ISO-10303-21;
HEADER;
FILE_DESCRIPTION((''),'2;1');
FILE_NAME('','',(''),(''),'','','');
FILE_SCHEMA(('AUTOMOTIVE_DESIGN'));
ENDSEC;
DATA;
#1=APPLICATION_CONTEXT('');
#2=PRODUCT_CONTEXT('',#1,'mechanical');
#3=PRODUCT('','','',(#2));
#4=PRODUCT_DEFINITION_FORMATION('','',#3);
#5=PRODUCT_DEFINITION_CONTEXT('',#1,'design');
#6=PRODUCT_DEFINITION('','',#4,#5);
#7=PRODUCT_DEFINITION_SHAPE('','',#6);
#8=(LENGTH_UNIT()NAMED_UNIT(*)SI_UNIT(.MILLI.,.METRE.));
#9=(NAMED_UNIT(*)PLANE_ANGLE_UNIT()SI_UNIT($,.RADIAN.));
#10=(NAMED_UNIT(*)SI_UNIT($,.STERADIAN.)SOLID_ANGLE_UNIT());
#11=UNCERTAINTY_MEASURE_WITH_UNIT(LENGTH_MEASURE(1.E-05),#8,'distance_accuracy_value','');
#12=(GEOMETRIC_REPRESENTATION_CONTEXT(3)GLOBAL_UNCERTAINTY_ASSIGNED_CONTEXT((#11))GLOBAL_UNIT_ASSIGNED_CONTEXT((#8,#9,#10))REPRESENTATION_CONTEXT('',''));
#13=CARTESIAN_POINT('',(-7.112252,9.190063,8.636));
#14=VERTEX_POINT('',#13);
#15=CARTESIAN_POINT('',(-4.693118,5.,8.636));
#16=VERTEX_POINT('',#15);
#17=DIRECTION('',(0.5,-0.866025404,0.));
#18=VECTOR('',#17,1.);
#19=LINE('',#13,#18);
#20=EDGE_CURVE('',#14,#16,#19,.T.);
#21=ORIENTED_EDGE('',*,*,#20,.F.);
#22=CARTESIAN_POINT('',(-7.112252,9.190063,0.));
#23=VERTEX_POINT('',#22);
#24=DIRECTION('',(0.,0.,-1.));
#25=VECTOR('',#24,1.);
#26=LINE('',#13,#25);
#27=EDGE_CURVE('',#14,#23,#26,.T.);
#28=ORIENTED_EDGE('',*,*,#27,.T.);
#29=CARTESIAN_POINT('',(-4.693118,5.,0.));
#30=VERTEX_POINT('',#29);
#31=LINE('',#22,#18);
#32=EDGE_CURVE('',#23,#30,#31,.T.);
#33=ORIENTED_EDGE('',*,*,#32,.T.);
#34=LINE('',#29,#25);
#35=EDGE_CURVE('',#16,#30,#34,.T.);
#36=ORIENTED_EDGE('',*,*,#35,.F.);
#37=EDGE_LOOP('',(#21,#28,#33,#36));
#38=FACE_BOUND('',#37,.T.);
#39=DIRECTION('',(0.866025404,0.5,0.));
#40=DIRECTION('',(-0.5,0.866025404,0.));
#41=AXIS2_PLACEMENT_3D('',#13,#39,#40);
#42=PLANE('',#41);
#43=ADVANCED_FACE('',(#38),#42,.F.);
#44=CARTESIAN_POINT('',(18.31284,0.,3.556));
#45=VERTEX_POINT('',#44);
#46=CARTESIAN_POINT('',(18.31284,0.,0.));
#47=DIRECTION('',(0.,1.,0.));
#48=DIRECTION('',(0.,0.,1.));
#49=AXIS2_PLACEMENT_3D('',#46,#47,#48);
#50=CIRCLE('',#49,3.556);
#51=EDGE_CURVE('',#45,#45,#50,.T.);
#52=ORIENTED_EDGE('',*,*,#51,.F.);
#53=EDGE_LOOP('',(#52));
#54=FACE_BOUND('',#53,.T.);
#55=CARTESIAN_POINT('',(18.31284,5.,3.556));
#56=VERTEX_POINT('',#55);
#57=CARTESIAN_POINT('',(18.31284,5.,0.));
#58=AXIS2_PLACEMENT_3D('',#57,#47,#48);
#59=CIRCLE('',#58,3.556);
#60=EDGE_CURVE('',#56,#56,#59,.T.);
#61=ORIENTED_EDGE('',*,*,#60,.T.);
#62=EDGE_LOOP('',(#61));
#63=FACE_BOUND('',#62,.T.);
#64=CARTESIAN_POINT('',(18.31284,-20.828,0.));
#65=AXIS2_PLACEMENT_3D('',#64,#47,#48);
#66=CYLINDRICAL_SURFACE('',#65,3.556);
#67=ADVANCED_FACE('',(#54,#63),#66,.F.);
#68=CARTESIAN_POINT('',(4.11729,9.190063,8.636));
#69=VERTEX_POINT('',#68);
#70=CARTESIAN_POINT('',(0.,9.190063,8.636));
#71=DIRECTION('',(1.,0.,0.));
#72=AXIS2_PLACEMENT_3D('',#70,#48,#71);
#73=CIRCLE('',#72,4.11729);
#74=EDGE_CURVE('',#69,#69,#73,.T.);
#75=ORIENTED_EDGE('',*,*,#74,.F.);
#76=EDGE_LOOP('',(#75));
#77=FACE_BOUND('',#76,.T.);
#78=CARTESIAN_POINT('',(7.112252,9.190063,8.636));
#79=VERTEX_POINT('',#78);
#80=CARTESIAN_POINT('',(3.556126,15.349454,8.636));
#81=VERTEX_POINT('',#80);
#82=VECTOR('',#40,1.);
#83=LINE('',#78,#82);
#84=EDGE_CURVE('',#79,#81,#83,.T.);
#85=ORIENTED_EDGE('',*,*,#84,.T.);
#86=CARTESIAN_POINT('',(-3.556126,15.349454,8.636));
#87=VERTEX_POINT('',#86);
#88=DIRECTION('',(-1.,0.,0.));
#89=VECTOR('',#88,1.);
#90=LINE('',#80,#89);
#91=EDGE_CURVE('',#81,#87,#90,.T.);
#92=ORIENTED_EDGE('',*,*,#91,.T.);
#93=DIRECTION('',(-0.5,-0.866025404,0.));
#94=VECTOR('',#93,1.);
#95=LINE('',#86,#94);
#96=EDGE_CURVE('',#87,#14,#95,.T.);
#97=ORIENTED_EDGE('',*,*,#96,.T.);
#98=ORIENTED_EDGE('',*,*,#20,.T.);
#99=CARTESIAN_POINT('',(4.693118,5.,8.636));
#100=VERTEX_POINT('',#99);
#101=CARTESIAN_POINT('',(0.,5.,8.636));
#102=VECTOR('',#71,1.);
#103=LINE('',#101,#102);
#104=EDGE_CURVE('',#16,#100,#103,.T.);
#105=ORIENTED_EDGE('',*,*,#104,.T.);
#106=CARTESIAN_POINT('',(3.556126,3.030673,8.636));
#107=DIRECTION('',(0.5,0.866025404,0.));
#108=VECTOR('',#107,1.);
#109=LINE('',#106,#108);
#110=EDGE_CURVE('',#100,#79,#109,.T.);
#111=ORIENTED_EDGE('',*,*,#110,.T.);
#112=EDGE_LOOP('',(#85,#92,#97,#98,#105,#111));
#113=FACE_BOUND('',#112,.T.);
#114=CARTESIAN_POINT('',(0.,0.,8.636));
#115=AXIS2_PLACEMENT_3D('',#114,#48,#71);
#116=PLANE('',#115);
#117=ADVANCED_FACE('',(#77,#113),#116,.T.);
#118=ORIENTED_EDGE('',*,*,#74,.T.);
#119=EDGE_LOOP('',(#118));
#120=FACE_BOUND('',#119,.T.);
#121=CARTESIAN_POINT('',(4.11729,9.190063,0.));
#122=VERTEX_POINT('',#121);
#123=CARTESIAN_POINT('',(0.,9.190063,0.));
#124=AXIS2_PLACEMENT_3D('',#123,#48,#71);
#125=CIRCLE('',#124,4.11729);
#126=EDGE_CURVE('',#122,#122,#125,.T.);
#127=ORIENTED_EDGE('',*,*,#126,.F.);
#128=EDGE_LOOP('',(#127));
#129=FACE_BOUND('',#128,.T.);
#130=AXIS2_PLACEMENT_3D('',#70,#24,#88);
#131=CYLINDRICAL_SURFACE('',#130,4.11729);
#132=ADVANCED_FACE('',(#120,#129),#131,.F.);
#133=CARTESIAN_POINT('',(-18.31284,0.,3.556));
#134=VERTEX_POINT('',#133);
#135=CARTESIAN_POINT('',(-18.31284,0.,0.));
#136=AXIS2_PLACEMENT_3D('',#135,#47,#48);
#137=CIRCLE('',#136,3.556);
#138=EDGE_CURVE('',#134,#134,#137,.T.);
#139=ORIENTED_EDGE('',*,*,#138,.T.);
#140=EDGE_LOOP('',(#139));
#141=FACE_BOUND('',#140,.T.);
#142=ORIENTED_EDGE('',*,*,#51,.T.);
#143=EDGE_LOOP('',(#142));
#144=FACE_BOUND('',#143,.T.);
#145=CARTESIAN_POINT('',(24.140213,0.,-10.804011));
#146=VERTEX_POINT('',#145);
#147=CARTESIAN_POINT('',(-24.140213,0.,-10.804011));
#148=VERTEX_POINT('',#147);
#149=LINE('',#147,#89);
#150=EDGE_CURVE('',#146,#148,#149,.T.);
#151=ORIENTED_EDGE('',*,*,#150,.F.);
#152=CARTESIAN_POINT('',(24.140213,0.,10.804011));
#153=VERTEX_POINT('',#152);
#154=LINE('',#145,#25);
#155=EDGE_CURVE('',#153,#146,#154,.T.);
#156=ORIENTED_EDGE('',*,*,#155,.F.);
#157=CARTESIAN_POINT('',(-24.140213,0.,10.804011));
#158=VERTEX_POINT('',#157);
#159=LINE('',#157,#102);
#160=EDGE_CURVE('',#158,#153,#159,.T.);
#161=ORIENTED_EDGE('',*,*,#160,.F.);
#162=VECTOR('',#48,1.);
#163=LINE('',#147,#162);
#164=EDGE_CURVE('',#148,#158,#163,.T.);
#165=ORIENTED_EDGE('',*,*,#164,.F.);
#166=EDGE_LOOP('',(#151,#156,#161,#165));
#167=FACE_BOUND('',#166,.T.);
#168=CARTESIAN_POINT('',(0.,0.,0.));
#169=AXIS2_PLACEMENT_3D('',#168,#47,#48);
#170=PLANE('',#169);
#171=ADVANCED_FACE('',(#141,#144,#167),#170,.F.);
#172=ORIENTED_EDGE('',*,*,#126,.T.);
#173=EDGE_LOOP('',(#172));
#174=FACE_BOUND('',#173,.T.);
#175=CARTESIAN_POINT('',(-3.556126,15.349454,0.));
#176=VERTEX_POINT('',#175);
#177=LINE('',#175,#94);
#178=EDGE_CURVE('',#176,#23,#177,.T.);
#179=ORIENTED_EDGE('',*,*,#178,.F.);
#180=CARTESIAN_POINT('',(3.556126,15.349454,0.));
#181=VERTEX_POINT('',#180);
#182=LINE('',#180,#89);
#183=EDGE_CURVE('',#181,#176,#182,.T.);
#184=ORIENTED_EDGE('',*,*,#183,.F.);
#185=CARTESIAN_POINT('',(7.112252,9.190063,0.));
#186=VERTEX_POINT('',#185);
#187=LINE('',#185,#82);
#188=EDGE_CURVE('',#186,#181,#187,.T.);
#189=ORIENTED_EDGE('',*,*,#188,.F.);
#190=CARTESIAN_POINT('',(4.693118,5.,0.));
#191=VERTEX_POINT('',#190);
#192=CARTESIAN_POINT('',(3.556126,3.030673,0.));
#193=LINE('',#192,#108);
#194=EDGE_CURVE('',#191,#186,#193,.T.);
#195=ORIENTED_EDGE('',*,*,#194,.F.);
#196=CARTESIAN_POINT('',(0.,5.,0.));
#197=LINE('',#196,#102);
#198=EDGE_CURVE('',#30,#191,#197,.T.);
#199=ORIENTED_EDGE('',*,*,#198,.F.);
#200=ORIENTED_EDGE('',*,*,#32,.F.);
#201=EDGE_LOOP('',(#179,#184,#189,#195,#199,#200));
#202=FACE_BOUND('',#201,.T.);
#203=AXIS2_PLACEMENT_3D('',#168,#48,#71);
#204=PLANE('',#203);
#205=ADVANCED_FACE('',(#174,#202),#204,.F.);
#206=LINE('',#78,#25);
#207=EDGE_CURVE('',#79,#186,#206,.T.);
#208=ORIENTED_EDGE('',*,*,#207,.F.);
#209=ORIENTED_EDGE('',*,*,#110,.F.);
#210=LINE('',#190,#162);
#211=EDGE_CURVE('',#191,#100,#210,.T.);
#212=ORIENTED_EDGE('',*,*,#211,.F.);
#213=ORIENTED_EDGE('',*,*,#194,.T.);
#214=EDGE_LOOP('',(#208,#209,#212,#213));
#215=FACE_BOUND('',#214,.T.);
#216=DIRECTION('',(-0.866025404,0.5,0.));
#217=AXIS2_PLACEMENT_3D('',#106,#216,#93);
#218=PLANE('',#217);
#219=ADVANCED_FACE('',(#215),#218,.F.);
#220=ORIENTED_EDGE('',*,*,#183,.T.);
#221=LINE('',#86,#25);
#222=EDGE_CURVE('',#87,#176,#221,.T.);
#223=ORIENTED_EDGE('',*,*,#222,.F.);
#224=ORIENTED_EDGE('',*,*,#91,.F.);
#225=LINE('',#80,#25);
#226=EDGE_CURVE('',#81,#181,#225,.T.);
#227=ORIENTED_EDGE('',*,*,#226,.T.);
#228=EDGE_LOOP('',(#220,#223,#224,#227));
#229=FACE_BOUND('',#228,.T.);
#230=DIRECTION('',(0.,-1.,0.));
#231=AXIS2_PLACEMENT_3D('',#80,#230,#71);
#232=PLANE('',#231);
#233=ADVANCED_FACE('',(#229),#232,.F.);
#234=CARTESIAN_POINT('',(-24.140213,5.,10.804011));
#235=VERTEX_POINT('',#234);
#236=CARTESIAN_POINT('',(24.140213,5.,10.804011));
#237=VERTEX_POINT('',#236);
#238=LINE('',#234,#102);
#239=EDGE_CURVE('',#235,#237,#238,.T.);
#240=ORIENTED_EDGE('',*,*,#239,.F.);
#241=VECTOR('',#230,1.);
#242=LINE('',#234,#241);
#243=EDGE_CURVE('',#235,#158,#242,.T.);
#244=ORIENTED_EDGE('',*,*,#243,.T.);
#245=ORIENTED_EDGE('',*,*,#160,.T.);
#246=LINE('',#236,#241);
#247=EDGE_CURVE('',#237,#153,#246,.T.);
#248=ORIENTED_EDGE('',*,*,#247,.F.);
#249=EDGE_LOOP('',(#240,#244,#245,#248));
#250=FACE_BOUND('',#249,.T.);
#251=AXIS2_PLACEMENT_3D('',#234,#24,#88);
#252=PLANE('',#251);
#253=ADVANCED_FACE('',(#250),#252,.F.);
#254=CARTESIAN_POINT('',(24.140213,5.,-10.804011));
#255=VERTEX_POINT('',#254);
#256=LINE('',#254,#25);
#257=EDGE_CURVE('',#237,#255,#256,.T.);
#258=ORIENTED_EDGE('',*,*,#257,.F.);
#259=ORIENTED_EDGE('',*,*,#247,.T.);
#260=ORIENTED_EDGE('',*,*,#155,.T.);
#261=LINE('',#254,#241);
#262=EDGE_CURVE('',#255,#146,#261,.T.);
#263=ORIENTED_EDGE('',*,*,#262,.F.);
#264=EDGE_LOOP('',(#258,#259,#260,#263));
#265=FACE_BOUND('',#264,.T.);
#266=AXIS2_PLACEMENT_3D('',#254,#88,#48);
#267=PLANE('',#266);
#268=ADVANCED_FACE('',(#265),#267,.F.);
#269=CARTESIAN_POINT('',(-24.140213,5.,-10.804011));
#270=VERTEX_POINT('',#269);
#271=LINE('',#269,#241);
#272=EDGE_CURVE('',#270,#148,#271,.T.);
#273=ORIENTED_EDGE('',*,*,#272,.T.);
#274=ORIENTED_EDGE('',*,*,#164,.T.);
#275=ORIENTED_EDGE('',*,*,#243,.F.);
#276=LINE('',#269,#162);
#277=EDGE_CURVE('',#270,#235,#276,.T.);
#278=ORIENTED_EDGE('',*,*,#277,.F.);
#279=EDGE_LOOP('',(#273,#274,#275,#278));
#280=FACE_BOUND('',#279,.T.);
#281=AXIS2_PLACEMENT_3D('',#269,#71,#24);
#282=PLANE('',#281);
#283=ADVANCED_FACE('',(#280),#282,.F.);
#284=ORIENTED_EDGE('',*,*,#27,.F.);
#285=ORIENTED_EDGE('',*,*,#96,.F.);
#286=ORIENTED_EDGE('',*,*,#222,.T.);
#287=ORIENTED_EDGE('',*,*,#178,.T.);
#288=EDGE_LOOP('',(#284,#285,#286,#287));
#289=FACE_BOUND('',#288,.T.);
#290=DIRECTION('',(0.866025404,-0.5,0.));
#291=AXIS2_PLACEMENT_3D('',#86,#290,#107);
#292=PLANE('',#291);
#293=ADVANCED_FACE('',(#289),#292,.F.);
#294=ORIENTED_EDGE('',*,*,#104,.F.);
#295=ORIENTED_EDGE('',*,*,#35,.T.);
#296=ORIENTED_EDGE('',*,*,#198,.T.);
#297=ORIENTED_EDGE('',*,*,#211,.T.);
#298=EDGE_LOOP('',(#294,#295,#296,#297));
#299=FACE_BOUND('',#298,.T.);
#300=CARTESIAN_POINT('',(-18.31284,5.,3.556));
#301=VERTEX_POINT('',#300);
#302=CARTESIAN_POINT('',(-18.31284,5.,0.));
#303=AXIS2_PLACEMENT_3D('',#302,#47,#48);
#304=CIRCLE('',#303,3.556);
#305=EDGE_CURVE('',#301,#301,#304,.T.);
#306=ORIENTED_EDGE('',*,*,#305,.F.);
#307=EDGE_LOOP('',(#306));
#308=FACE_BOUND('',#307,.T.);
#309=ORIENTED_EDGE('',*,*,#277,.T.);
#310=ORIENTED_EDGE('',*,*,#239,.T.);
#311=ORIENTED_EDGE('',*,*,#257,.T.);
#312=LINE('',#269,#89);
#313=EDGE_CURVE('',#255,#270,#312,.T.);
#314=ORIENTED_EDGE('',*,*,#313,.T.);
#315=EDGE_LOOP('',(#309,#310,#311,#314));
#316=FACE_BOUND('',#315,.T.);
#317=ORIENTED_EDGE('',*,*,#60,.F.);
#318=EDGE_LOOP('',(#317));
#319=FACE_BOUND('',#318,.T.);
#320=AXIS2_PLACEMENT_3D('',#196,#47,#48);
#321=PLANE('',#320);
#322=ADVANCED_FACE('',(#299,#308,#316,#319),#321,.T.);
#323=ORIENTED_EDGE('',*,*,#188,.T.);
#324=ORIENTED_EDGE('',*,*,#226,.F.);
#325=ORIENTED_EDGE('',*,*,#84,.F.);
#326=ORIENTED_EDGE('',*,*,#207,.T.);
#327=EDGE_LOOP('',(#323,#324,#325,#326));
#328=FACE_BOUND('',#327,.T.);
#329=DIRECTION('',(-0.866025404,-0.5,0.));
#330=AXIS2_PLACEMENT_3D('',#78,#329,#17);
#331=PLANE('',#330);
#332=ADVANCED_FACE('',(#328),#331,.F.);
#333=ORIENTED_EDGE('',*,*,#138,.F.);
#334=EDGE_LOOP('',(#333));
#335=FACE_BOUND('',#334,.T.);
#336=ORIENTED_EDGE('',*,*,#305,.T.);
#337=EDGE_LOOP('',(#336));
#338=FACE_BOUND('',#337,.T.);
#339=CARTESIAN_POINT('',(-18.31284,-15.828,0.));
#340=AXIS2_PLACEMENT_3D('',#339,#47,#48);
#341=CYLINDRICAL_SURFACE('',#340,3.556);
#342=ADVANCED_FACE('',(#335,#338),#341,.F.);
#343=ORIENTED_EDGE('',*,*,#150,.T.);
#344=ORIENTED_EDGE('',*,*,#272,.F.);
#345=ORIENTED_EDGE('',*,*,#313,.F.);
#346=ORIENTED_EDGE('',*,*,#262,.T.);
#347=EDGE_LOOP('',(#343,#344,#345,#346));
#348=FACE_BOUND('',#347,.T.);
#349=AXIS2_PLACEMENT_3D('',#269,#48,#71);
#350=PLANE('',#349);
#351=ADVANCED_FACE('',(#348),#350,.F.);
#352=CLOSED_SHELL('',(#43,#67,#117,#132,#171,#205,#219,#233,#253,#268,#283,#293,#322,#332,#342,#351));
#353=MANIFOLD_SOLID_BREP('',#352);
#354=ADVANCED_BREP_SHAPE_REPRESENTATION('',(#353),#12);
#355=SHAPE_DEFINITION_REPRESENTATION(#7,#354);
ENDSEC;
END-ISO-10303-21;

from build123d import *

# Parameters (mm, degrees)
CROQUIS1_W                 = 48.280426218
CROQUIS1_H                 = 21.608022922
SALIENTE_EXTRUIR1_DEPTH    = 5
CROQUIS2_R                 = 2.974152903
CORTAR_EXTRUIR1_DEPTH      = 15
CORTAR_EXTRUIR1_DEPTH_BACK = 23
CROQUIS3_R                 = 3.556
CORTAR_EXTRUIR2_DEPTH      = 31.496
CORTAR_EXTRUIR2_DEPTH_BACK = 20.828
CROQUIS4_R                 = 3.556
CORTAR_EXTRUIR3_DEPTH      = 8.636
CORTAR_EXTRUIR3_DEPTH_BACK = 20.828
CROQUIS5_R                 = 4.117290135
SALIENTE_EXTRUIR2_DEPTH    = 8.636


with BuildPart() as part:
    # Croquis1 → Saliente-Extruir1 (new body)
    with BuildSketch(Plane(origin=(0, 0, 0), x_dir=(1, 0, 0), z_dir=(0, 1, 0))):
        Rectangle(CROQUIS1_W, CROQUIS1_H)
    extrude(amount=SALIENTE_EXTRUIR1_DEPTH)

    # Croquis2 → Cortar-Extruir1 (cut, two sides)
    with BuildSketch(Plane(origin=(0, 0, 0), x_dir=(1, 0, 0), z_dir=(0, 1, 0))) as cortar_extruir1_sk:
        with Locations((18.312839715, 0)):
            Circle(CROQUIS2_R)
        with Locations((-18.312839715, 0)):
            Circle(CROQUIS2_R)
    extrude(amount=CORTAR_EXTRUIR1_DEPTH, mode=Mode.SUBTRACT)
    extrude(cortar_extruir1_sk.sketch, amount=-CORTAR_EXTRUIR1_DEPTH_BACK, mode=Mode.SUBTRACT)

    # Croquis3 → Cortar-Extruir2 (cut, two sides)
    with BuildSketch(Plane(origin=(0, 0, 0), x_dir=(1, 0, 0), z_dir=(0, 1, 0))) as cortar_extruir2_sk:
        with Locations((18.312839715, 0)):
            Circle(CROQUIS3_R)
    extrude(amount=CORTAR_EXTRUIR2_DEPTH, mode=Mode.SUBTRACT)
    extrude(cortar_extruir2_sk.sketch, amount=-CORTAR_EXTRUIR2_DEPTH_BACK, mode=Mode.SUBTRACT)

    # Croquis4 → Cortar-Extruir3 (cut, two sides)
    with BuildSketch(Plane(origin=(0, 5, 0), x_dir=(1, 0, 0), z_dir=(0, 1, 0))) as cortar_extruir3_sk:
        with Locations((-18.312839715, 0)):
            Circle(CROQUIS4_R)
    extrude(amount=CORTAR_EXTRUIR3_DEPTH, mode=Mode.SUBTRACT)
    extrude(cortar_extruir3_sk.sketch, amount=-CORTAR_EXTRUIR3_DEPTH_BACK, mode=Mode.SUBTRACT)

    # Croquis5 → Saliente-Extruir2 (add)
    with BuildSketch(Plane.XY):
        Polygon((7.112251642, 9.190063188), (3.556125821, 15.349453788), (-3.556125821, 15.349453788), (-7.112251642, 9.190063188), (-3.556125821, 3.030672588), (3.556125821, 3.030672588), align=None)
        with Locations((0, 9.190063188)):
            Circle(CROQUIS5_R, mode=Mode.SUBTRACT)
    extrude(amount=SALIENTE_EXTRUIR2_DEPTH)


solid = part.part
